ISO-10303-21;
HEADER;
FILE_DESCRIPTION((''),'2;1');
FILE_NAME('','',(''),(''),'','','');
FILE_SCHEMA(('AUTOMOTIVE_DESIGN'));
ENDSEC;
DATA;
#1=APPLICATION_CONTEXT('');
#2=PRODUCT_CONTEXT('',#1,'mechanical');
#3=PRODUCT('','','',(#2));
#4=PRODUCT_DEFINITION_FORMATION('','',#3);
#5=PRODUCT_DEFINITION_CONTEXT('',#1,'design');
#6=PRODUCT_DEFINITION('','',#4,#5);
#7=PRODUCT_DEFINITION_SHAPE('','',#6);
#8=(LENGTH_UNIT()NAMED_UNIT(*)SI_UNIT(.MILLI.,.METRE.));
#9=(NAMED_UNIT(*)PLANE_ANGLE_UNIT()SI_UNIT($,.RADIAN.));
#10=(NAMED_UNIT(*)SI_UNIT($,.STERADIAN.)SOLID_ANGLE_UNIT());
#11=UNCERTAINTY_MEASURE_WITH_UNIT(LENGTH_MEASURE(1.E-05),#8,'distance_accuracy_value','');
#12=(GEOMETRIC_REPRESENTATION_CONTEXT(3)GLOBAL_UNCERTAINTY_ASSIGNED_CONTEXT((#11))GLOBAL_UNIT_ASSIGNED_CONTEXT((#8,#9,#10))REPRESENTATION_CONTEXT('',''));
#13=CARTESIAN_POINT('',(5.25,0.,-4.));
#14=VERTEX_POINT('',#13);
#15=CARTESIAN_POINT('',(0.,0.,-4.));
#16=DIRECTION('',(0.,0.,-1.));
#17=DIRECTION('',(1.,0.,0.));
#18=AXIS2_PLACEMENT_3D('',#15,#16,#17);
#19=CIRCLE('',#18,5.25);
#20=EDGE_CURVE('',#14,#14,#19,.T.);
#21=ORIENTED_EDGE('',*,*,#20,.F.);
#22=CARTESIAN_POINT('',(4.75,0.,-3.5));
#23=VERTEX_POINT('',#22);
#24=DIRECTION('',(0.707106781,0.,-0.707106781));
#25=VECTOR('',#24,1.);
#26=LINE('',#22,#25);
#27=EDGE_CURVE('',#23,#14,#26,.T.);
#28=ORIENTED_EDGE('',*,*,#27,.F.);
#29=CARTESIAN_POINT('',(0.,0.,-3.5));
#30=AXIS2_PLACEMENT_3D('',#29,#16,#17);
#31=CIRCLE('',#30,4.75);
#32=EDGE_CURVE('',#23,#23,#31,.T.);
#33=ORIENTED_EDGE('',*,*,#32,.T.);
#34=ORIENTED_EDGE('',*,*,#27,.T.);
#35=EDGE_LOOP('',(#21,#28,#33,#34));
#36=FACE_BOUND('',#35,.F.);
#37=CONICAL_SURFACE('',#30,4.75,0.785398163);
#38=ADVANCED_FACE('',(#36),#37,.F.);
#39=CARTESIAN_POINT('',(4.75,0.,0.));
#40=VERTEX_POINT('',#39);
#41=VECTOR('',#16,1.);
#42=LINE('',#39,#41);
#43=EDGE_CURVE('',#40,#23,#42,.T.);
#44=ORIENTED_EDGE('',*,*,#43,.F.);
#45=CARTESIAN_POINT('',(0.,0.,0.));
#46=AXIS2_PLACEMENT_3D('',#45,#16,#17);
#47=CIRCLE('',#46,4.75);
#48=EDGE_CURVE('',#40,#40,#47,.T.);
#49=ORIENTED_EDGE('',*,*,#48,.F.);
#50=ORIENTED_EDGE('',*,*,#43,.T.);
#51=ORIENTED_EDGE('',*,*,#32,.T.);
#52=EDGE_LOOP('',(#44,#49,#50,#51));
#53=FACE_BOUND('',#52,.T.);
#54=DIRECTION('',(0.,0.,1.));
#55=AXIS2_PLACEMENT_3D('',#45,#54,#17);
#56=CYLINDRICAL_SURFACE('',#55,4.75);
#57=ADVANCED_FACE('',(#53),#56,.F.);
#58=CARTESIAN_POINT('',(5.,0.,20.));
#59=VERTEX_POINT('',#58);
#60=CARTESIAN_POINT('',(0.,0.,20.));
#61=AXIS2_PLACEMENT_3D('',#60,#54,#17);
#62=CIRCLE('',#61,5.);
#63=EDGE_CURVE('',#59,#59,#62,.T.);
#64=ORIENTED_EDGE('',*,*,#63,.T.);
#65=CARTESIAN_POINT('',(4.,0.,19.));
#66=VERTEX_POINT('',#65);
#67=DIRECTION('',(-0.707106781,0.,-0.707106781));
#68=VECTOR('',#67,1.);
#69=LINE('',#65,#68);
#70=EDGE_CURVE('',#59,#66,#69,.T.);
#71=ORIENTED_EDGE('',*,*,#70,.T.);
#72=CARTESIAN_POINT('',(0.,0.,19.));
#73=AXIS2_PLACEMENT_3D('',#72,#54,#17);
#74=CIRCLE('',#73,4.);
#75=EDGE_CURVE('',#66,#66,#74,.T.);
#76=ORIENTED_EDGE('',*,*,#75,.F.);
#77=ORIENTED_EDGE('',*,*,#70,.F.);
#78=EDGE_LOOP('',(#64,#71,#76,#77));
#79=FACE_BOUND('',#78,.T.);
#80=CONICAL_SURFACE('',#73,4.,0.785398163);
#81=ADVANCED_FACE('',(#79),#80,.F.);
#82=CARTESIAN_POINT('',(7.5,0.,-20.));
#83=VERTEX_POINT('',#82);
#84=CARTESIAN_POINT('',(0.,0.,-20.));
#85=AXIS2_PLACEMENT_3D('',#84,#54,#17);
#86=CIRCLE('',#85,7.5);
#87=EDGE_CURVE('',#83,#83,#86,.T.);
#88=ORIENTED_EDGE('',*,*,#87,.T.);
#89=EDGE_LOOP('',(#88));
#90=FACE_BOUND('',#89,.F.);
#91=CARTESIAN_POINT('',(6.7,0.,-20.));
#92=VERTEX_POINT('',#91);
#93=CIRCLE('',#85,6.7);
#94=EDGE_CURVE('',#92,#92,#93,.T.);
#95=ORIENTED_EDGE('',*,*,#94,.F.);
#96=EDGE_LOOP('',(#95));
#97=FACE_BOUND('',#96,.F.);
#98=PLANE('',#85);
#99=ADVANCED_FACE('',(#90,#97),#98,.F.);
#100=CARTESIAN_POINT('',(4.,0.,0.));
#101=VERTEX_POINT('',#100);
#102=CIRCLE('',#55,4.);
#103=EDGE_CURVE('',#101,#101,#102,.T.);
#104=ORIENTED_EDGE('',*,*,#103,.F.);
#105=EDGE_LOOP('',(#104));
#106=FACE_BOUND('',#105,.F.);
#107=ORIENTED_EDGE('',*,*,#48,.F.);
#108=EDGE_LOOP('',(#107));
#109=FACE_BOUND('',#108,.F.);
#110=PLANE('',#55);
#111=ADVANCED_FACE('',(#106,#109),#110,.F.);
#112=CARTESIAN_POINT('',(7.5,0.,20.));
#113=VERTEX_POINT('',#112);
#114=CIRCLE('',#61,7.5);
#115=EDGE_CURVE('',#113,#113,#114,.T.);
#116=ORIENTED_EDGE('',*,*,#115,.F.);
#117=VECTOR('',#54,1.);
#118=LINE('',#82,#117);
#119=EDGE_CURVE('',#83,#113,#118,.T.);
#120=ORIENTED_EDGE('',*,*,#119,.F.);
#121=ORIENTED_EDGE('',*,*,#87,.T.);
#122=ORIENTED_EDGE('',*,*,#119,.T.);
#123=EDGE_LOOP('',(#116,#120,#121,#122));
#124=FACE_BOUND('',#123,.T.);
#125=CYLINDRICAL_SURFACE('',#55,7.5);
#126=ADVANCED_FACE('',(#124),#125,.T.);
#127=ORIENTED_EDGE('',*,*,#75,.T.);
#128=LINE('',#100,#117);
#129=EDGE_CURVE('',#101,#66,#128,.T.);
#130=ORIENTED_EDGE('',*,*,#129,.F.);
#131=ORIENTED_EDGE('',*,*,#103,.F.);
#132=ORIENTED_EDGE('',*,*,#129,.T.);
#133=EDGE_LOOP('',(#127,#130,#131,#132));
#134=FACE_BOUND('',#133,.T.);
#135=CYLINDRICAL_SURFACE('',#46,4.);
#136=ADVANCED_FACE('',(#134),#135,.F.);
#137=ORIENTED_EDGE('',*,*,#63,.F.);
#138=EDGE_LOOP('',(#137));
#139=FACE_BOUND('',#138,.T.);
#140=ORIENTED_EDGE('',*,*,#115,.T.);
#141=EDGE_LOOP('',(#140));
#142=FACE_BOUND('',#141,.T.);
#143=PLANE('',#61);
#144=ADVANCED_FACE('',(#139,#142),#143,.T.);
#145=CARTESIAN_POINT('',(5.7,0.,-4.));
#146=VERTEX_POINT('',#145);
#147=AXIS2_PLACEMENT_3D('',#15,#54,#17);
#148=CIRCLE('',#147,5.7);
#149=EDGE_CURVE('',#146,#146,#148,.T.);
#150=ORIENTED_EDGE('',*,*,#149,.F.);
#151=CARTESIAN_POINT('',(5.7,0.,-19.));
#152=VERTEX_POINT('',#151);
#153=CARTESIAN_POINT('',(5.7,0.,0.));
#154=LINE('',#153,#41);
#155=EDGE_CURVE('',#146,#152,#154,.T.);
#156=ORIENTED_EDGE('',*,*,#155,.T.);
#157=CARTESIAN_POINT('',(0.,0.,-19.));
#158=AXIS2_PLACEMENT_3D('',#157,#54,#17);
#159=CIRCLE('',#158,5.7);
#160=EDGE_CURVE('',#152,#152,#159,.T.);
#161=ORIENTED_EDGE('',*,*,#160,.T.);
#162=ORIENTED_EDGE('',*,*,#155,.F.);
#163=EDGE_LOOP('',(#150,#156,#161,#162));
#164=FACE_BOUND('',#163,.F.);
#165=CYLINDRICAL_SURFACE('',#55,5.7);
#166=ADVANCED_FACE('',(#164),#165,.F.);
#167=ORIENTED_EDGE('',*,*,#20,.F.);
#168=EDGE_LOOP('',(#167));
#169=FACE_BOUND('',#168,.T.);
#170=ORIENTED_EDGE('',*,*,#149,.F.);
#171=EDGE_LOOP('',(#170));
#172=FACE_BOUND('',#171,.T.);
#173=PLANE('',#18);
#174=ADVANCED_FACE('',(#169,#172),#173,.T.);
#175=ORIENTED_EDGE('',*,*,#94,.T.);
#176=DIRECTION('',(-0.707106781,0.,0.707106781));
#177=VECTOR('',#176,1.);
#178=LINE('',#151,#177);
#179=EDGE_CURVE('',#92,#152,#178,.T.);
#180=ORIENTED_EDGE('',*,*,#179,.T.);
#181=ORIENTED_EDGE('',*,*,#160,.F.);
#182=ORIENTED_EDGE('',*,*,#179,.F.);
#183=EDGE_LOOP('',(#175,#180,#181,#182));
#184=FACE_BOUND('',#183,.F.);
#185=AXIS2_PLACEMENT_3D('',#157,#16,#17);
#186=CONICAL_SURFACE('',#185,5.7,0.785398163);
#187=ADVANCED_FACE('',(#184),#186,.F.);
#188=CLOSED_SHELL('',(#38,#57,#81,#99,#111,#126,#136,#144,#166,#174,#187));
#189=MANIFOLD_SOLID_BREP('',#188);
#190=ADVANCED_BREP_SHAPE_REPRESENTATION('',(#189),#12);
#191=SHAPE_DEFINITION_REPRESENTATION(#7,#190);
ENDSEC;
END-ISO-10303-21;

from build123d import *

# Parameters (mm, degrees)
SKETCH_R        = 7.5
SKETCH_R_2      = 4
PAD_DEPTH       = 20
SKETCH001_R     = 7.5
SKETCH001_R_2   = 5.7
PAD001_DEPTH    = 20
CHAMFER_SIZE    = 1
CHAMFER001_SIZE = 1
SKETCH002_R     = 5.75
SKETCH002_R_2   = 4.75
PAD002_DEPTH    = 4
CHAMFER002_SIZE = 0.5


with BuildPart() as part:
    # Sketch → Pad (new body)
    with BuildSketch(Plane.XY):
        Circle(SKETCH_R)
        Circle(SKETCH_R_2, mode=Mode.SUBTRACT)
    extrude(amount=PAD_DEPTH)

    # Sketch001 → Pad001 (join)
    with BuildSketch(Plane.XY):
        Circle(SKETCH001_R)
        Circle(SKETCH001_R_2, mode=Mode.SUBTRACT)
    extrude(amount=-PAD001_DEPTH)

    # Chamfer
    chamfer_edges = [part.edges().sort_by_distance(p)[0] for p in [
        (-4, 0, 20),
    ]]
    chamfer(chamfer_edges, length=CHAMFER_SIZE)

    # Chamfer001
    chamfer001_edges = [part.edges().sort_by_distance(p)[0] for p in [
        (-5.7, 0, -20),
    ]]
    chamfer(chamfer001_edges, length=CHAMFER001_SIZE)

    # Sketch002 (on Face6 of Chamfer001) → Pad002 (join)
    with BuildSketch(Plane(origin=(0, 0, 0), x_dir=(1, 0, 0), z_dir=(0, 0, -1))):
        Circle(SKETCH002_R)
        Circle(SKETCH002_R_2, mode=Mode.SUBTRACT)
    extrude(amount=PAD002_DEPTH)

    # Chamfer002
    chamfer002_edges = [part.edges().sort_by_distance(p)[0] for p in [
        (-4.75, 0, -4),
    ]]
    chamfer(chamfer002_edges, length=CHAMFER002_SIZE)


solid = part.part
